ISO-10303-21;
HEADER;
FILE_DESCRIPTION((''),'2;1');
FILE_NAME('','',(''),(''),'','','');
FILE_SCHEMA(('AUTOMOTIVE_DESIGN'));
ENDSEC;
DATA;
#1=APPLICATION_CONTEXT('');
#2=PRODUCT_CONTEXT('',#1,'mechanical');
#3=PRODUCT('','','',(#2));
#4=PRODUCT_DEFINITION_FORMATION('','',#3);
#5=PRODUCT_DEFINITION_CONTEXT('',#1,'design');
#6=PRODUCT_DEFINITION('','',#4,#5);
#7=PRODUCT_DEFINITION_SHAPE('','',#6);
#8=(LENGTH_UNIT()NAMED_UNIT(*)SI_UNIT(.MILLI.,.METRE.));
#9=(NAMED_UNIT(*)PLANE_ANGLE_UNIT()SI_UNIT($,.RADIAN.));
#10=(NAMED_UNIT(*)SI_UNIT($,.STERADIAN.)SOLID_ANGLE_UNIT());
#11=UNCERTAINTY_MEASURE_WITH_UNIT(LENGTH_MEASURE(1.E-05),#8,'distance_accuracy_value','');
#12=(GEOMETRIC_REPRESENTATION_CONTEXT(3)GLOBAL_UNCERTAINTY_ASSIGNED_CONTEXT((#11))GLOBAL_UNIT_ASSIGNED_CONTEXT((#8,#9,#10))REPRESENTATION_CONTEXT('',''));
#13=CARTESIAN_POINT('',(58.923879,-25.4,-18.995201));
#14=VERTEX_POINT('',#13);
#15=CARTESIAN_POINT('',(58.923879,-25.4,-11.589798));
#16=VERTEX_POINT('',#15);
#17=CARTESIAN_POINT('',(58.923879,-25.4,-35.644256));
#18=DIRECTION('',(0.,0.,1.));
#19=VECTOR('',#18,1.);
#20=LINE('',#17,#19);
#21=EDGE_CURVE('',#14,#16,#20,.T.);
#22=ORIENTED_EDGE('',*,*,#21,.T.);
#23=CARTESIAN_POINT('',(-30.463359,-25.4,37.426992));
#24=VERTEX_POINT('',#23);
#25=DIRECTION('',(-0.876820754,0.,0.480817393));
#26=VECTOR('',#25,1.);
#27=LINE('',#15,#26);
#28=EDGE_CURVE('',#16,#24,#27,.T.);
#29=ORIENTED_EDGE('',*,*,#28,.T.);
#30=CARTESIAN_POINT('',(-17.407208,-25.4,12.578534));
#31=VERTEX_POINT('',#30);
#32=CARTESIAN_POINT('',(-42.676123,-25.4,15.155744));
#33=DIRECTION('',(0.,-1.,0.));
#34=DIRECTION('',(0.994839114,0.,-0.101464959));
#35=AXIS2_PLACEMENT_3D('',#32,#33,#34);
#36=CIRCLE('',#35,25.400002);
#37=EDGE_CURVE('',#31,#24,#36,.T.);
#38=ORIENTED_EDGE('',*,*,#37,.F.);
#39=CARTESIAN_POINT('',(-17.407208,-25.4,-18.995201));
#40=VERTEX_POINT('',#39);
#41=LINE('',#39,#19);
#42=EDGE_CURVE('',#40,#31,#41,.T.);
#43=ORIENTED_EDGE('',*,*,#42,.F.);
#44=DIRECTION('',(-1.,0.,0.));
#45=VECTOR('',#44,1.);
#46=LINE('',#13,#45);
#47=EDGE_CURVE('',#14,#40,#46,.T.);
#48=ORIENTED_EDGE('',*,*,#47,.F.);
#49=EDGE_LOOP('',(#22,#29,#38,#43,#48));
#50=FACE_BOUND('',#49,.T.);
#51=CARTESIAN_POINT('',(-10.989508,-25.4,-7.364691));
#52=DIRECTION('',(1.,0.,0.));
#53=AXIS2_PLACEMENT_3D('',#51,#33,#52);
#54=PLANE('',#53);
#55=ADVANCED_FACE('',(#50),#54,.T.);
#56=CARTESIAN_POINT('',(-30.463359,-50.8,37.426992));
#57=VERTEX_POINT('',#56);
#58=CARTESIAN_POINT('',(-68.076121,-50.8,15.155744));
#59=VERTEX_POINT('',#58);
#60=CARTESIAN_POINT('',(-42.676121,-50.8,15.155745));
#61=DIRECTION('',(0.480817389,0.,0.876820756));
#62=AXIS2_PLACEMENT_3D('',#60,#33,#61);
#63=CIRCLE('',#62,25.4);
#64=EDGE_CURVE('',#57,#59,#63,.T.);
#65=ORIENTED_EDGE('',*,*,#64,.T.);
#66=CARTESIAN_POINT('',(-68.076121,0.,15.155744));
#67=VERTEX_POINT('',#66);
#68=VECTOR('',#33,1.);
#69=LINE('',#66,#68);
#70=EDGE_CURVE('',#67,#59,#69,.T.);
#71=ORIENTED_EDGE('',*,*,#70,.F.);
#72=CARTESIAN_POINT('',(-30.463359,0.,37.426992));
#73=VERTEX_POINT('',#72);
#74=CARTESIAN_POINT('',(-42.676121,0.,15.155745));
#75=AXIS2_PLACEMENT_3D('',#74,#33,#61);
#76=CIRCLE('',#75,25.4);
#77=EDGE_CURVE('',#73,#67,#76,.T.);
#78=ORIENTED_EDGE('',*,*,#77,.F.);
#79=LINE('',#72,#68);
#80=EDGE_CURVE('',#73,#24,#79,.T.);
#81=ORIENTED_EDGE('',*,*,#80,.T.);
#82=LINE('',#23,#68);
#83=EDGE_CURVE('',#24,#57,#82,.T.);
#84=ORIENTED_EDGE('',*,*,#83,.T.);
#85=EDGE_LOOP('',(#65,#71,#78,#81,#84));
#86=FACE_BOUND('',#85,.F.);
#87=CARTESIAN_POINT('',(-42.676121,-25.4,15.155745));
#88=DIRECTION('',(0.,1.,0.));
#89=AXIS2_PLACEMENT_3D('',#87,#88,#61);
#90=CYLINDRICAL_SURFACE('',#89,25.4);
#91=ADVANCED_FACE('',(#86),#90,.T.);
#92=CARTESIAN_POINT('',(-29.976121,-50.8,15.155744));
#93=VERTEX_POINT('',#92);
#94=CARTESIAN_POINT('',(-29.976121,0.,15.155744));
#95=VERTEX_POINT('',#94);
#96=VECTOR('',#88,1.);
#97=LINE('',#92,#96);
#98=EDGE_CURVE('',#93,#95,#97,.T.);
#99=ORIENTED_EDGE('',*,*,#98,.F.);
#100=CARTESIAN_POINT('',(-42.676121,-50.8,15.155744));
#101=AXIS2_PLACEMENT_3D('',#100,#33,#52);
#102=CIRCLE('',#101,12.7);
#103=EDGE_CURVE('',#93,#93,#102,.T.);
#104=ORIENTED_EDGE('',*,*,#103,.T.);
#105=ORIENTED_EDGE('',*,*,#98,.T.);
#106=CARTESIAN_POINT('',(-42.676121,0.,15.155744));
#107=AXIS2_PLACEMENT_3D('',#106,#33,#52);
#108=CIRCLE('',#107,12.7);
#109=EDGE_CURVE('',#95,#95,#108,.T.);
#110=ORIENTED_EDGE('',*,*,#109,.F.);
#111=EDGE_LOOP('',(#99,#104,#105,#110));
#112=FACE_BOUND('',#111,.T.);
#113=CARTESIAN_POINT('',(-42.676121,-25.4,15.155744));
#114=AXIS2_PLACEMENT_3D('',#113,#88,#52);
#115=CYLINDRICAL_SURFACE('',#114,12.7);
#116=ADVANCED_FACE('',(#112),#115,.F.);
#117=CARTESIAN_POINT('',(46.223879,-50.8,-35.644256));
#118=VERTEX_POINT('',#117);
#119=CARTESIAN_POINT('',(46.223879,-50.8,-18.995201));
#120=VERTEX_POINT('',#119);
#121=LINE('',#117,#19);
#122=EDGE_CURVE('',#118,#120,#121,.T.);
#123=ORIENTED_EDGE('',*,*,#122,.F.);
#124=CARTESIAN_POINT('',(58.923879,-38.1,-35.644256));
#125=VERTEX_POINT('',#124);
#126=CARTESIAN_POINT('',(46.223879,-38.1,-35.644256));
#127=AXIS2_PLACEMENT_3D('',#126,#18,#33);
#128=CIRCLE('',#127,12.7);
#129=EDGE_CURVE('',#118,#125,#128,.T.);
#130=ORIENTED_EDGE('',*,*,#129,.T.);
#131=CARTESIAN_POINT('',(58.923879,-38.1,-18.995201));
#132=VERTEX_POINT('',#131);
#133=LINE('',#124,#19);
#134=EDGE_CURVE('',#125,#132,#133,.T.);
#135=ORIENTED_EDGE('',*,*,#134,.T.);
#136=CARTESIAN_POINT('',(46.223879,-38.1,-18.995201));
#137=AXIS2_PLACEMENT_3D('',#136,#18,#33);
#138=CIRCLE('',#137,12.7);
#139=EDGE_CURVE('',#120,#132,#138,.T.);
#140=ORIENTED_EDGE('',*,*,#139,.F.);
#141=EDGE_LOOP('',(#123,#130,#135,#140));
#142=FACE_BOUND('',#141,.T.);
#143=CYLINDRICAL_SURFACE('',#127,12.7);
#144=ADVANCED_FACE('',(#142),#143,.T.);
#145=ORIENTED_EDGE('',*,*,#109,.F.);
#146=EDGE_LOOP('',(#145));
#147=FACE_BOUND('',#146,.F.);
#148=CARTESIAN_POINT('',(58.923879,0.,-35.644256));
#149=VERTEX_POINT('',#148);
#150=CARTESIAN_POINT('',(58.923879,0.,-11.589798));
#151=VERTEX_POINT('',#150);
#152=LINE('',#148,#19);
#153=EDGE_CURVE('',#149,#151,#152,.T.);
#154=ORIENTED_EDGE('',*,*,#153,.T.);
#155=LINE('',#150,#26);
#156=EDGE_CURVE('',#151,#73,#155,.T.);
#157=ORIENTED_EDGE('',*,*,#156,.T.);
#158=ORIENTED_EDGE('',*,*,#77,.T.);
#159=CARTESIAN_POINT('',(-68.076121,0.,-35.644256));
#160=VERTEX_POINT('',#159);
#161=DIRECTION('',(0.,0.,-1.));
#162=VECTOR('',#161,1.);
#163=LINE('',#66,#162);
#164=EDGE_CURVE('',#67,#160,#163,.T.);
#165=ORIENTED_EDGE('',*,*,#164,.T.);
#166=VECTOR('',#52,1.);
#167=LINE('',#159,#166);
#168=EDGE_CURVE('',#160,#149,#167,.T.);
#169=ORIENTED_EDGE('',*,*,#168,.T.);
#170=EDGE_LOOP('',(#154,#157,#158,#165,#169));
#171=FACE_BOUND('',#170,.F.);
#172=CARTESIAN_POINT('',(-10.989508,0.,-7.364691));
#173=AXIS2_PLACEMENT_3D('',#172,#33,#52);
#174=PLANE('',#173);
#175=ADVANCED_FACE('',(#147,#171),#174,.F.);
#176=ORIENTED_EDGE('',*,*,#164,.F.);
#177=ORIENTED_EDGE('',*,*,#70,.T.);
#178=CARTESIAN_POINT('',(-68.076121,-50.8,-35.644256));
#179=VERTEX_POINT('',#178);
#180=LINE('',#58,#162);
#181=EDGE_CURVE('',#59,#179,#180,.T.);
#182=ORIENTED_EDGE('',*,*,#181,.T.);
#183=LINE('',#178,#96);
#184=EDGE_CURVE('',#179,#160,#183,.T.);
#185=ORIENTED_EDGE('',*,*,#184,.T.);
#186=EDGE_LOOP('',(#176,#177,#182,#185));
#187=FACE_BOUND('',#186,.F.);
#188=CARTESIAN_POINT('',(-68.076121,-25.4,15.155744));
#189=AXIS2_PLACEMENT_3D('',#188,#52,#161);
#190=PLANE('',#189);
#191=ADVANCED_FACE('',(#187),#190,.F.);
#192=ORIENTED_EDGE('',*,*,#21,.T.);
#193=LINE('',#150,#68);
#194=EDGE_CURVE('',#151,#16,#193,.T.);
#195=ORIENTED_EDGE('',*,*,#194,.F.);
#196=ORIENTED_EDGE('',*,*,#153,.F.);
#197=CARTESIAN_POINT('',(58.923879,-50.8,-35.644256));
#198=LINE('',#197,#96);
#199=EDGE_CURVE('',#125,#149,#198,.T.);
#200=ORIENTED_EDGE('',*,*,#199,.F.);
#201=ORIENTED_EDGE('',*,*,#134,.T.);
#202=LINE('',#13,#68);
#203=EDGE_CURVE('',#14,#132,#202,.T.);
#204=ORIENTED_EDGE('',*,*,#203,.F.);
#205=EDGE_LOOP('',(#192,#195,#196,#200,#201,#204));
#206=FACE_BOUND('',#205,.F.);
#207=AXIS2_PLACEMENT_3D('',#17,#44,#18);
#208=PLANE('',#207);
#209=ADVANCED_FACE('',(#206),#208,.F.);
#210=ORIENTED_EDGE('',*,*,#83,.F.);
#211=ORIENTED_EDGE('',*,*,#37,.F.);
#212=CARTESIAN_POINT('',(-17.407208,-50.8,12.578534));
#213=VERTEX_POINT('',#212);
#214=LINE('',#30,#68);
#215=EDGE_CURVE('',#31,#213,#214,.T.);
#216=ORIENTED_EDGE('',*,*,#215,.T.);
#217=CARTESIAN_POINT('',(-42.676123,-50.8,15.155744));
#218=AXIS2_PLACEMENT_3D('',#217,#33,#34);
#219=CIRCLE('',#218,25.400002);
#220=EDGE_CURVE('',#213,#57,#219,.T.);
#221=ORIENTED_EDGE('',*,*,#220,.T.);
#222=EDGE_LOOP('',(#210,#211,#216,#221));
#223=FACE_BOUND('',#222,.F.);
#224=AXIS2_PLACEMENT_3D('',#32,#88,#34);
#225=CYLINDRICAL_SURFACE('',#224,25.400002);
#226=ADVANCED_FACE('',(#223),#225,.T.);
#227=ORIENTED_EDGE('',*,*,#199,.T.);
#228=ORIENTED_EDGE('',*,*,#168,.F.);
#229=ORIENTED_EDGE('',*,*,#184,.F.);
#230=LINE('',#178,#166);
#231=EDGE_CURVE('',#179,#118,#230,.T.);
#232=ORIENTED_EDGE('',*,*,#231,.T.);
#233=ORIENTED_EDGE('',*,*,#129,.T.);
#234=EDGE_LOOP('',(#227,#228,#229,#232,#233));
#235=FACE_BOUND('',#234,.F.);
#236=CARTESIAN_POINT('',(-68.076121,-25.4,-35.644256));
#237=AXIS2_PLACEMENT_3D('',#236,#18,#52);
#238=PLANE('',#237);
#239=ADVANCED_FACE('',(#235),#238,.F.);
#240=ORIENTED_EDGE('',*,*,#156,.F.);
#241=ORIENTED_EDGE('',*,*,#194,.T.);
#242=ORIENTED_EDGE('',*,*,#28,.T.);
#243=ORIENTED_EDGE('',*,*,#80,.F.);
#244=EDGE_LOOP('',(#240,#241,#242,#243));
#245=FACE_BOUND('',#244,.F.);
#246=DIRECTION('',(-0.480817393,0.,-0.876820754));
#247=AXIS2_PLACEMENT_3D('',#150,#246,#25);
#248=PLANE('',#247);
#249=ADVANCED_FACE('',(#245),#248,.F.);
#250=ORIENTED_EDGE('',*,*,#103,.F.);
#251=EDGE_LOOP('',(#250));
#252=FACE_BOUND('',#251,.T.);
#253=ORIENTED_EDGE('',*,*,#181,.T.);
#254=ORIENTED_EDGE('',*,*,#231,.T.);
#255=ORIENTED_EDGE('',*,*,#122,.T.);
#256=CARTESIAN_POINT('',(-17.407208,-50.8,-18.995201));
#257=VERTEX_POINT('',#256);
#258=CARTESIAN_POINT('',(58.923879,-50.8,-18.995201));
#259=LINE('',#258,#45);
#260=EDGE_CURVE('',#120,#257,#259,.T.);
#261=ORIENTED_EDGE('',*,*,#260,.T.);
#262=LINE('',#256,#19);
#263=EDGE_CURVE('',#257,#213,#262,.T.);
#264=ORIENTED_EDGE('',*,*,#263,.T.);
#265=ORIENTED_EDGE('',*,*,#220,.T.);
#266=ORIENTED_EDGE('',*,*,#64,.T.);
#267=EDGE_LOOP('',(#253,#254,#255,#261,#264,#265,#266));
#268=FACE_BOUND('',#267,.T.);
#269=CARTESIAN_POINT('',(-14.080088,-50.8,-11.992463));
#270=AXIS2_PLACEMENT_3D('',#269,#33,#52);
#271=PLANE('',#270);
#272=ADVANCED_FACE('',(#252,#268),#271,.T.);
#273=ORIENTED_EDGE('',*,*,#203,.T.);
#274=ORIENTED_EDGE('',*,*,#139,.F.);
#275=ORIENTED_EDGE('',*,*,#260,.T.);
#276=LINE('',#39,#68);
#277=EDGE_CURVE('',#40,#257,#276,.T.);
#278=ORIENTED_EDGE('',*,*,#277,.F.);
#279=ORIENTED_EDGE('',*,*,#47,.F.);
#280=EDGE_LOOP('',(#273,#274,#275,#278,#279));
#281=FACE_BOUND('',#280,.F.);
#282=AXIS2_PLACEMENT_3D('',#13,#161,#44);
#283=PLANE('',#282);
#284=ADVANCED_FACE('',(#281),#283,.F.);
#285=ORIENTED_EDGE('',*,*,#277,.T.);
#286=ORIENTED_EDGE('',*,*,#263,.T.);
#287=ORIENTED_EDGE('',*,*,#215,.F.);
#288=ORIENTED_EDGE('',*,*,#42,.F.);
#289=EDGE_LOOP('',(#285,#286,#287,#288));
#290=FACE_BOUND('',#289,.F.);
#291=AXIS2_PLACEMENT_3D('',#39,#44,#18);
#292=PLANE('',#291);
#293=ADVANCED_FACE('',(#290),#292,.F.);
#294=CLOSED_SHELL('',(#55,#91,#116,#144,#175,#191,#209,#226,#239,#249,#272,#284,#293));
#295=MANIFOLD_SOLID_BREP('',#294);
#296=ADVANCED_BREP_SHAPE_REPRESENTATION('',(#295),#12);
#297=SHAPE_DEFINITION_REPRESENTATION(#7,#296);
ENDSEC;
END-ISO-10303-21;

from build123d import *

# Parameters (mm, degrees)
F0_R     = 12.7
F1_DEPTH = 25.4
F4_R     = 12.7
F5_DEPTH = 25.4
F6_R     = 12.7


with BuildPart() as f1:
    # F0 (on Front) → F1 (new body)
    with BuildSketch(Plane.XZ):
        with BuildLine():
            Line((58.923879, -11.589798), (-30.463359, 37.426992))
            ThreePointArc((-30.463359, 37.426992), (-55.617447, 37.011684), (-68.076121, 15.155744))
            Line((-68.076121, 15.155744), (-68.076121, -35.644256))
            Line((-68.076121, -35.644256), (58.923879, -35.644256))
            Line((58.923879, -35.644256), (58.923879, -21.580534))
            Line((58.923879, -21.580534), (58.923879, -11.589798))
        make_face()
        with Locations((-42.676121, 15.155744)):
            Circle(F0_R, mode=Mode.SUBTRACT)
    extrude(amount=F1_DEPTH)

    # F4 (on face) → F5 (join)
    with BuildSketch(Plane.XZ.offset(25.4)):
        with BuildLine():
            Line((-17.407208, -18.995201), (-17.407208, 12.578534))
            ThreePointArc((-17.407208, 12.578534), (-20.191005, 26.970123), (-30.463359, 37.426992))
            ThreePointArc((-30.463359, 37.426992), (-55.617447, 37.011684), (-68.076121, 15.155744))
            Line((-68.076121, 15.155744), (-68.076121, -18.995201))
            Line((-68.076121, -18.995201), (-68.076121, -35.644256))
            Line((-68.076121, -35.644256), (58.923879, -35.644256))
            Line((58.923879, -35.644256), (58.923879, -18.995201))
            Line((58.923879, -18.995201), (-17.407208, -18.995201))
        make_face()
        with Locations((-42.676121, 15.155744)):
            Circle(F4_R, mode=Mode.SUBTRACT)
    extrude(amount=F5_DEPTH)

    # F6
    f6_edges = [f1.edges().sort_by_distance(p)[0] for p in [
        (58.923879, -50.8, -27.319728),
    ]]
    fillet(f6_edges, radius=F6_R)


solid = f1.part
